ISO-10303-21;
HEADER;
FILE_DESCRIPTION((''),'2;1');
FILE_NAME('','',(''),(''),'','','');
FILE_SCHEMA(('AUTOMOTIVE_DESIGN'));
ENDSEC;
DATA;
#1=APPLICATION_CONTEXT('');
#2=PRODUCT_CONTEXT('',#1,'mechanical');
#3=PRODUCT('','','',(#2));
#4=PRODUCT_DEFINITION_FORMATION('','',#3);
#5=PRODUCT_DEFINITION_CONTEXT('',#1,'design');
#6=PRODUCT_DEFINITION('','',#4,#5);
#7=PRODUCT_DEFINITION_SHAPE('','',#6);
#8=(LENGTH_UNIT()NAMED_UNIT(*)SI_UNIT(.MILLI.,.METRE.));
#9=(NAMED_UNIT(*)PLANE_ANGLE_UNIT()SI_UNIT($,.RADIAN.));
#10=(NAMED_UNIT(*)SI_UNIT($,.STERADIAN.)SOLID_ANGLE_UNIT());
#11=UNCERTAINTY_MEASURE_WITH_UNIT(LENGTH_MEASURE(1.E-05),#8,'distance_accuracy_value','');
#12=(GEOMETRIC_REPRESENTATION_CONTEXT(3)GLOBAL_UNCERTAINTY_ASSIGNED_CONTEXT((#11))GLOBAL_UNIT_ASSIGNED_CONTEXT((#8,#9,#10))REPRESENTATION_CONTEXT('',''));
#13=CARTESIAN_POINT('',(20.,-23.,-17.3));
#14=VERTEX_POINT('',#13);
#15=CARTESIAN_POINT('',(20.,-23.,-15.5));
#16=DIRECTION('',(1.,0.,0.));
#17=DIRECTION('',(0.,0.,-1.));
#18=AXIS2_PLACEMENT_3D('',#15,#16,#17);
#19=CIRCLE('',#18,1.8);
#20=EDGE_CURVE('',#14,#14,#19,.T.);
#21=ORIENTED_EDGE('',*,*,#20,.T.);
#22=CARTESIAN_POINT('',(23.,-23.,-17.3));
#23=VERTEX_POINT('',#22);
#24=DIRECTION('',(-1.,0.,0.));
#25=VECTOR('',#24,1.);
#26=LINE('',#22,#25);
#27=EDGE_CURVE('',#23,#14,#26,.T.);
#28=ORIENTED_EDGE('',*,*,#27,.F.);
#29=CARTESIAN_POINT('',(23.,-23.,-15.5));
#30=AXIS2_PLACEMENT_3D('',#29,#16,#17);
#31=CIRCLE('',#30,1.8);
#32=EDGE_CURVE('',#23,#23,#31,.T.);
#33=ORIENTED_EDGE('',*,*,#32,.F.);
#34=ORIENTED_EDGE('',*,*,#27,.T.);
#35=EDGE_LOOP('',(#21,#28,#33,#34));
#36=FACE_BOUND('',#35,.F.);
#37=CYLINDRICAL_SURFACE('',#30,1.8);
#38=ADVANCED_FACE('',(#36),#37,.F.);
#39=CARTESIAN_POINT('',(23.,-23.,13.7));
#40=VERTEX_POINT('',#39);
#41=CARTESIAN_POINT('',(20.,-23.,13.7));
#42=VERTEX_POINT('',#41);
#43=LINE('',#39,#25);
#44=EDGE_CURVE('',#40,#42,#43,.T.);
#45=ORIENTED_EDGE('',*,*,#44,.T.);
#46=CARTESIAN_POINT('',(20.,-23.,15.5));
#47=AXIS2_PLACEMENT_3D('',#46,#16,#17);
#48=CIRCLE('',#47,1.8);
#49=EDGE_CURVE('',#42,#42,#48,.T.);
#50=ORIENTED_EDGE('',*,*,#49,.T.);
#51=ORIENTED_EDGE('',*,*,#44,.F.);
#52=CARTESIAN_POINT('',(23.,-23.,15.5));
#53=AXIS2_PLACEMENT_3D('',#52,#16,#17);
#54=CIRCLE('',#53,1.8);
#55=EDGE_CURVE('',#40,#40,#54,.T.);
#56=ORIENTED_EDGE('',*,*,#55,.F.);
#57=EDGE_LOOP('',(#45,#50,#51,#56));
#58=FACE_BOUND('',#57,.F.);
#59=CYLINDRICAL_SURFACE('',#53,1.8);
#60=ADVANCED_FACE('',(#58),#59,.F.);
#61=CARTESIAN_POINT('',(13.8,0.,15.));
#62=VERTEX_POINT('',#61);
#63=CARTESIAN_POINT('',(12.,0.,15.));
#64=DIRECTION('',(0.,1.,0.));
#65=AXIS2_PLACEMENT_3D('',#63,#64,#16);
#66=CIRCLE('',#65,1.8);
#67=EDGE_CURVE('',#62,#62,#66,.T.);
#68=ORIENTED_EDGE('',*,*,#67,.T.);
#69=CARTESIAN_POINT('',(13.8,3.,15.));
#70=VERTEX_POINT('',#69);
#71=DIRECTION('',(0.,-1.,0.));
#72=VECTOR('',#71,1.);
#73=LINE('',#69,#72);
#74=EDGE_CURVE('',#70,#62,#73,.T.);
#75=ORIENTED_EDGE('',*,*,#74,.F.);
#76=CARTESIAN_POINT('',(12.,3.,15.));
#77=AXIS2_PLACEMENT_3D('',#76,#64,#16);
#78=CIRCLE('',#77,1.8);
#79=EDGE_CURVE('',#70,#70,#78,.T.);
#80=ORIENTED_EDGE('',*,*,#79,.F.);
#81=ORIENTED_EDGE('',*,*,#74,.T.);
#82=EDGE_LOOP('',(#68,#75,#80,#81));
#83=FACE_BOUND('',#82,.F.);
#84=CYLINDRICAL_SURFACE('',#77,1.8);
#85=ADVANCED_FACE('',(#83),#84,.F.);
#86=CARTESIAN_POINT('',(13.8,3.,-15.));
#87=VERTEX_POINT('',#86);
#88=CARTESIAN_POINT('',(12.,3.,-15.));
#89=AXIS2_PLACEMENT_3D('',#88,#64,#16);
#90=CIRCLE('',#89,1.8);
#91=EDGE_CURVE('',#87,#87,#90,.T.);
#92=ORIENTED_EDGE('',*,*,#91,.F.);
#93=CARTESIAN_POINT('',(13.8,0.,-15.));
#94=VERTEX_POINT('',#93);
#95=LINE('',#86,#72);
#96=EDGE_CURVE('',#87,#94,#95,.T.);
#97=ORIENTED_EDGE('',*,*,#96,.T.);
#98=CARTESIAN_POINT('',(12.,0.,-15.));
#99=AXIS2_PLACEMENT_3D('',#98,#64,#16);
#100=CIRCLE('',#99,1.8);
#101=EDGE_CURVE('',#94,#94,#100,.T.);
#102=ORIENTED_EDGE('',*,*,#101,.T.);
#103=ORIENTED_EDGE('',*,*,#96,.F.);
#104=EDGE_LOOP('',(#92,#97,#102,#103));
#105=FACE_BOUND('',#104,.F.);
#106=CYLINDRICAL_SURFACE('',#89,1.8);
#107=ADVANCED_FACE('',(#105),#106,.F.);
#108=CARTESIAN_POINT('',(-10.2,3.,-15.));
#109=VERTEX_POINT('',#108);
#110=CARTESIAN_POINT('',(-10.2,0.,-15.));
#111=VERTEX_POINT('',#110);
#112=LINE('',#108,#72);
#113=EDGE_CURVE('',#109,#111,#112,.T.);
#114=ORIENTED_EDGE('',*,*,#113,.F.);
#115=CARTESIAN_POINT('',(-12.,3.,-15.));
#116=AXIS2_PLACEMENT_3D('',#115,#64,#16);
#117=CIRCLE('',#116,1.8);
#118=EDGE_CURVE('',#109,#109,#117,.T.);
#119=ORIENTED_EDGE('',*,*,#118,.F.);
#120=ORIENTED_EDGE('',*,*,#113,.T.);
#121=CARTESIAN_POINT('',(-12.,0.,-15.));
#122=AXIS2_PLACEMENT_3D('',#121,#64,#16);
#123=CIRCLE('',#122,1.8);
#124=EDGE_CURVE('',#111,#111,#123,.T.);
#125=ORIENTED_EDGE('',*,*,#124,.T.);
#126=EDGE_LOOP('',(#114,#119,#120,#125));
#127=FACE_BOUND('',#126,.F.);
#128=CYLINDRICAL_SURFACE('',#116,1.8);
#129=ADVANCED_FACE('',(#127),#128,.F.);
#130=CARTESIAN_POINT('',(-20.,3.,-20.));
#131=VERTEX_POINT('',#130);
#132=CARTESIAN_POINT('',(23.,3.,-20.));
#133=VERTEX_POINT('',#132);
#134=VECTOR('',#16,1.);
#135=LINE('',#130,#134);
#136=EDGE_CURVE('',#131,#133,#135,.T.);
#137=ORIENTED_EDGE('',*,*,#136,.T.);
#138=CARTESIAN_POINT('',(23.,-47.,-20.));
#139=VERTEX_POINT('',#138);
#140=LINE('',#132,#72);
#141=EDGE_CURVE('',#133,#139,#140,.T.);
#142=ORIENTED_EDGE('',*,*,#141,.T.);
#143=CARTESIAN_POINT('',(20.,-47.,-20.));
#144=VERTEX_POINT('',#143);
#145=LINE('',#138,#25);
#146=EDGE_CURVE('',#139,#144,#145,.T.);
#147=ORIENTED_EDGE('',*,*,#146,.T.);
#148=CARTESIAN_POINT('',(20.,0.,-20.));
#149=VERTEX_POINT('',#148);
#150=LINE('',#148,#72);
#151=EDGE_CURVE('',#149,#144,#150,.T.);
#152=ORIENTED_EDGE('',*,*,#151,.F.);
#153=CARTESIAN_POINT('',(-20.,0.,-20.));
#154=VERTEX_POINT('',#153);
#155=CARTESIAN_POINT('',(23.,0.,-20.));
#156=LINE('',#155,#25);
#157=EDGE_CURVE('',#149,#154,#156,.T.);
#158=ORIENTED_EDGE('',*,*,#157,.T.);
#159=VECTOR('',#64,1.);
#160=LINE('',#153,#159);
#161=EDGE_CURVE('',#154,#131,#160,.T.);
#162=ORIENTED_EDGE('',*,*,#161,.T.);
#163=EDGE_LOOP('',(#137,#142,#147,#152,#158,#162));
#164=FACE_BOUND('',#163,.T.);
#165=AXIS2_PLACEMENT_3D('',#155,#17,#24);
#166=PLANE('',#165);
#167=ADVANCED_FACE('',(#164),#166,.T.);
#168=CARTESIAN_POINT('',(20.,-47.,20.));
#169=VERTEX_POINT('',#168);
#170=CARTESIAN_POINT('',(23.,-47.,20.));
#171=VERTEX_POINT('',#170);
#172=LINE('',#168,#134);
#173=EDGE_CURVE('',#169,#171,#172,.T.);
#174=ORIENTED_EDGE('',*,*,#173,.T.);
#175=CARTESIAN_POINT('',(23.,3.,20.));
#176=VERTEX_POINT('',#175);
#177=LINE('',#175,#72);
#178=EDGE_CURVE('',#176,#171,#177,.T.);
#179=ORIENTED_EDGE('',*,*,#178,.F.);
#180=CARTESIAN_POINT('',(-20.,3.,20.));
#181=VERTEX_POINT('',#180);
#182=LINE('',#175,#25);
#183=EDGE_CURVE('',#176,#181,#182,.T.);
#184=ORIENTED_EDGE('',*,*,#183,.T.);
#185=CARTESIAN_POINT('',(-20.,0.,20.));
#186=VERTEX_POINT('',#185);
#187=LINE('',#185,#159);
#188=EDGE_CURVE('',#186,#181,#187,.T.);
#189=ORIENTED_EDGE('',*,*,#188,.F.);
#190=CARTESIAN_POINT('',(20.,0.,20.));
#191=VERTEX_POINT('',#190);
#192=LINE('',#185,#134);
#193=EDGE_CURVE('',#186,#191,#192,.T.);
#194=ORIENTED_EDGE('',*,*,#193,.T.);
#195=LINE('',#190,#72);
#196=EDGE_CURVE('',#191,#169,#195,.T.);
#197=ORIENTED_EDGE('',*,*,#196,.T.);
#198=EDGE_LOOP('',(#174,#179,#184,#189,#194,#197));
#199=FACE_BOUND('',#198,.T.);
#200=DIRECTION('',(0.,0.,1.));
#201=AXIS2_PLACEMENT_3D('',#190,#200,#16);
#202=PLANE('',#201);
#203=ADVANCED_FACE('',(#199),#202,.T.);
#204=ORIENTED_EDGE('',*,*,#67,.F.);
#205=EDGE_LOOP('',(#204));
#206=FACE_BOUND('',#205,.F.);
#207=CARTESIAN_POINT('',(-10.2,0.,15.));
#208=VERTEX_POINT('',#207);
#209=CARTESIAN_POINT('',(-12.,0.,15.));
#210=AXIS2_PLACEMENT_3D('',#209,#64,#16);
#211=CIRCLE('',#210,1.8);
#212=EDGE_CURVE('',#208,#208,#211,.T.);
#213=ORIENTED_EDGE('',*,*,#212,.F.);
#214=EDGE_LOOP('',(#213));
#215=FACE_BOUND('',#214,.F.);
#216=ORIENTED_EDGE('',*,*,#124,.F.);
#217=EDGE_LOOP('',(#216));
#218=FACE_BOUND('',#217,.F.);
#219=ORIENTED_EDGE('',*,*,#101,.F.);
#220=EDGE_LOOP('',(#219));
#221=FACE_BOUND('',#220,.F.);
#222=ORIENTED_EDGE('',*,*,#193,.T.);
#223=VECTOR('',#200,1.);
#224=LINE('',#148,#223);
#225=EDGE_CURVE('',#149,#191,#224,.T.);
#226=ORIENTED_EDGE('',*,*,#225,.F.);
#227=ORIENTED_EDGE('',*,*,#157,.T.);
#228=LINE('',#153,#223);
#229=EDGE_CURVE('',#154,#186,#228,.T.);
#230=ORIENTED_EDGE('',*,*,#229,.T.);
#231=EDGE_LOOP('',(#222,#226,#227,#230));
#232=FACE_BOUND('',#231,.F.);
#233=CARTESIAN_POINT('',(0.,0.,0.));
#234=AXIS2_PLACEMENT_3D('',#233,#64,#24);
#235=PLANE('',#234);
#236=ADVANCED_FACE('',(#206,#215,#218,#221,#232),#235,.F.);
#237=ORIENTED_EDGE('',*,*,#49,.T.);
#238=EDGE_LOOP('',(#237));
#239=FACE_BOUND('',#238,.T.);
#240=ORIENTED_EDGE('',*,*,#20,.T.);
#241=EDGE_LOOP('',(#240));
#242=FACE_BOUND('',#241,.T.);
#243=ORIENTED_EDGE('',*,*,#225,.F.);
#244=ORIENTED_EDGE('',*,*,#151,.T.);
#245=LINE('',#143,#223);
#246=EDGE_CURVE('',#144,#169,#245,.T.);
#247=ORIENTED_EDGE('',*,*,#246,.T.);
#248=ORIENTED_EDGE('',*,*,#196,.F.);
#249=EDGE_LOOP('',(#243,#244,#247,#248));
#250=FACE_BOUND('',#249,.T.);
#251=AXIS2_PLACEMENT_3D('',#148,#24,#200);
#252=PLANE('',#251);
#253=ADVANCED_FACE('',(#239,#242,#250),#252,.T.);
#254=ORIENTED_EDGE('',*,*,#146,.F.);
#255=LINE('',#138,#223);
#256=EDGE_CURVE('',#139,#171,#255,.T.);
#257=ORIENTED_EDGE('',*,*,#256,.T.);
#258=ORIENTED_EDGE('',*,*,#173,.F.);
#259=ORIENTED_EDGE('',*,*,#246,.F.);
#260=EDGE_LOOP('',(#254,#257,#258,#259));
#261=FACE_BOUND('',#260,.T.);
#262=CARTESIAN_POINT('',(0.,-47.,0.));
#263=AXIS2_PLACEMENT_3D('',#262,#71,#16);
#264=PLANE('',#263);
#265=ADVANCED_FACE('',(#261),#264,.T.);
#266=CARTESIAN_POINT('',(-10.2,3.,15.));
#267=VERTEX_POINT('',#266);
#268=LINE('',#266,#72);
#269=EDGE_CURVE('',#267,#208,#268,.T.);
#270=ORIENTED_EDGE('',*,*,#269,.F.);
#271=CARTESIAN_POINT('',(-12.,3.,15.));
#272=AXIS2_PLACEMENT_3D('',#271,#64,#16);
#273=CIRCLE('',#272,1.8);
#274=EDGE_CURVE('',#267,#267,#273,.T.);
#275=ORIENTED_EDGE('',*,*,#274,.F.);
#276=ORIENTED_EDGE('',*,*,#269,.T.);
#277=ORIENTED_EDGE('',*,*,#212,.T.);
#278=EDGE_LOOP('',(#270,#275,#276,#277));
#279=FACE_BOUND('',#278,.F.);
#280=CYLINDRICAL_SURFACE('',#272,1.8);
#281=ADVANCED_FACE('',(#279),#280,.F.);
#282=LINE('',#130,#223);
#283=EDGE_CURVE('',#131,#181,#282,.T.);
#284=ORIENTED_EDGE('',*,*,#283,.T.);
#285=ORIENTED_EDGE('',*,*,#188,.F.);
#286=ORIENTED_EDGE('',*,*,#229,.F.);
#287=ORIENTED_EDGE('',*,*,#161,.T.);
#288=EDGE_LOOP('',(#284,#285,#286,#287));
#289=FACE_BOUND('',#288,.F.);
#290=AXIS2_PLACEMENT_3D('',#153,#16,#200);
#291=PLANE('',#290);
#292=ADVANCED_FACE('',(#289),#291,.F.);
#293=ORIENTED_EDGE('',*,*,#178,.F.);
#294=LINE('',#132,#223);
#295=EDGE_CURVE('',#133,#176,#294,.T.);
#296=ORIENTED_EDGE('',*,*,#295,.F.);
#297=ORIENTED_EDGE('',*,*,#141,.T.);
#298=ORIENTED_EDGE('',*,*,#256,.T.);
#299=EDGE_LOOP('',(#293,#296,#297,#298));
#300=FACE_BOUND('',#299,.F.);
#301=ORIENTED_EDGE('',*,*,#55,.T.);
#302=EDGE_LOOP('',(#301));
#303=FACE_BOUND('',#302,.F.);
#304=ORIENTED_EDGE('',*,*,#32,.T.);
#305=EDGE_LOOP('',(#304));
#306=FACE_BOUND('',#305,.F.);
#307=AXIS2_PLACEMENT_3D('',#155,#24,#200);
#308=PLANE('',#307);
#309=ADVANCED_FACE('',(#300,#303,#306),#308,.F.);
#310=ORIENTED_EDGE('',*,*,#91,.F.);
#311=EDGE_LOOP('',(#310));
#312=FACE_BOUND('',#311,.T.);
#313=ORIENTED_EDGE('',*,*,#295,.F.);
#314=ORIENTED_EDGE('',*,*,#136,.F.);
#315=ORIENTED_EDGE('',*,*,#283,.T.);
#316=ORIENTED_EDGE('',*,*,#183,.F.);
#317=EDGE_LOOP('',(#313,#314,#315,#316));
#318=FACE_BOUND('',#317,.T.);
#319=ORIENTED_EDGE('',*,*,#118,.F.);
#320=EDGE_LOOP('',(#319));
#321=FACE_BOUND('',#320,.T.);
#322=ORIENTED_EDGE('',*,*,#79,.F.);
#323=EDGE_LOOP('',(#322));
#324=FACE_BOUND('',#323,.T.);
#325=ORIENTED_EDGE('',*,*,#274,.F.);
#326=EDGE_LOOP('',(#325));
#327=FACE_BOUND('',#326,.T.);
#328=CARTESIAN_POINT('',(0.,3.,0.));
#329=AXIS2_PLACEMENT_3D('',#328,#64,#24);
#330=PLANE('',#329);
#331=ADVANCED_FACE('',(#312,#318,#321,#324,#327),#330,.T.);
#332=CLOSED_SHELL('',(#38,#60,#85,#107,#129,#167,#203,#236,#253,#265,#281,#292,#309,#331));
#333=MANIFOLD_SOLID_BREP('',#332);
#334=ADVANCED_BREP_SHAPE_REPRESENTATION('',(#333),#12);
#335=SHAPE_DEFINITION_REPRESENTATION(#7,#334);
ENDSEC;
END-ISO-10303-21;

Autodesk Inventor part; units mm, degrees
ref_plane "YZ Plane" through (0, 0, 0) normal (1, 0, 0) x (0, 1, 0)
ref_plane "XZ Plane" through (0, 0, 0) normal (0, 1, 0) x (-1, 0, 0)
ref_plane "XY Plane" through (0, 0, 0) normal (0, 0, 1) x (1, 0, 0)
sketch "草图1" plane through (0, 0, 0) normal (0, 1, 0) x (-1, 0, 0)
  line L0 (20, 20) -> (-20, 20)
  line L1 (-20, 20) -> (-20, -20)
  line L2 (-20, -20) -> (20, -20)
  line L3 (20, -20) -> (20, 20)
  point P0 (0, 0)
  dimension "d0" = 40
  dimension "d1" = 40
extrude "拉伸1" add sketch "草图1" along normal blind 3
sketch "草图6" plane through (20, 0, 20) normal (1, 0, 0) x (0, 0, -1)
  point P0 (20, 0)
sketch "草图7" plane through (20, 0, 20) normal (1, 0, 0) x (0, 0, -1)
  line L0 (40, 3) -> (0, 3) projected
  line L1 (0, 0) -> (40, 0)
  line L2 (40, 0) -> (40, 3)
  line L3 (40, 3) -> (0, 3)
  line L4 (0, 3) -> (0, 0)
  point P0 (20, 0)
extrude "拉伸6" add sketch "草图7" along normal blind 3
sketch "草图8" plane through (0, 0, 0) normal (0, -1, 0) x (1, 0, 0)
  line L0 (23, -20) -> (23, 20) projected
  line L1 (20, 20) -> (23, 20)
  line L2 (23, 20) -> (23, -20)
  line L3 (23, -20) -> (20, -20)
  line L4 (20, -20) -> (20, 20)
  point P0 (0, 0)
extrude "拉伸7" add sketch "草图8" along normal blind 47
sketch "草图9" plane through (23, 0, 20) normal (1, 0, 0) x (0, 0, -1)
  point P0 (20, 0)
sketch "草图10" plane through (23, 0, 20) normal (1, 0, 0) x (0, 0, -1)
  circle A0 centre (35.5, -23) radius 1.8
  point P0 (20, 0)
  dimension "d20" = 3.6
extrude "拉伸8" cut sketch "草图10" against normal through all
sketch "草图11" plane through (23, 0, 20) normal (1, 0, 0) x (0, 0, -1)
  circle A0 centre (4.5, -23) radius 1.8
  point P0 (20, 0)
  dimension "d23" = 3.6
extrude "拉伸9" cut sketch "草图11" against normal through all
sketch "草图12" plane through (0, 3, 0) normal (0, 1, 0) x (1, 0, 0)
  circle A0 centre (12, 15) radius 1.8
  point P0 (0, 0)
  dimension "d26" = 3.6
extrude "拉伸10" cut sketch "草图12" against normal through all
sketch "草图13" plane through (0, 3, 0) normal (0, 1, 0) x (1, 0, 0)
  circle A0 centre (-12, 15) radius 1.8
  point P0 (0, 0)
  dimension "d29" = 3.6
extrude "拉伸11" cut sketch "草图13" against normal through all
sketch "草图14" plane through (0, 3, 0) normal (0, 1, 0) x (1, 0, 0)
  circle A0 centre (-12, -15) radius 1.8
  point P0 (0, 0)
  dimension "d32" = 3.6
extrude "拉伸12" cut sketch "草图14" against normal through all
sketch "草图15" plane through (0, 3, 0) normal (0, 1, 0) x (1, 0, 0)
  circle A0 centre (12, -15) radius 1.8
  point P0 (0, 0)
  dimension "d35" = 3.6
extrude "拉伸13" cut sketch "草图15" against normal through all
equation "\"折弯半径\" = 厚度"
equation "\"折弯释压宽度\" = 厚度"
equation "\"折弯释压深度\" = 0.5 * 厚度"
equation "\"拐角释压尺寸\" = 4 * 厚度"
equation "\"最小余量\" = 2 * 厚度"
equation "\"过渡半径\" = 折弯半径"
equation "\"Jacobi半径尺寸\" = 折弯半径"
equation "\"间隙大小\" = 厚度"
equation "\"厚度\" = 0.5"
properties part number "连接架"
